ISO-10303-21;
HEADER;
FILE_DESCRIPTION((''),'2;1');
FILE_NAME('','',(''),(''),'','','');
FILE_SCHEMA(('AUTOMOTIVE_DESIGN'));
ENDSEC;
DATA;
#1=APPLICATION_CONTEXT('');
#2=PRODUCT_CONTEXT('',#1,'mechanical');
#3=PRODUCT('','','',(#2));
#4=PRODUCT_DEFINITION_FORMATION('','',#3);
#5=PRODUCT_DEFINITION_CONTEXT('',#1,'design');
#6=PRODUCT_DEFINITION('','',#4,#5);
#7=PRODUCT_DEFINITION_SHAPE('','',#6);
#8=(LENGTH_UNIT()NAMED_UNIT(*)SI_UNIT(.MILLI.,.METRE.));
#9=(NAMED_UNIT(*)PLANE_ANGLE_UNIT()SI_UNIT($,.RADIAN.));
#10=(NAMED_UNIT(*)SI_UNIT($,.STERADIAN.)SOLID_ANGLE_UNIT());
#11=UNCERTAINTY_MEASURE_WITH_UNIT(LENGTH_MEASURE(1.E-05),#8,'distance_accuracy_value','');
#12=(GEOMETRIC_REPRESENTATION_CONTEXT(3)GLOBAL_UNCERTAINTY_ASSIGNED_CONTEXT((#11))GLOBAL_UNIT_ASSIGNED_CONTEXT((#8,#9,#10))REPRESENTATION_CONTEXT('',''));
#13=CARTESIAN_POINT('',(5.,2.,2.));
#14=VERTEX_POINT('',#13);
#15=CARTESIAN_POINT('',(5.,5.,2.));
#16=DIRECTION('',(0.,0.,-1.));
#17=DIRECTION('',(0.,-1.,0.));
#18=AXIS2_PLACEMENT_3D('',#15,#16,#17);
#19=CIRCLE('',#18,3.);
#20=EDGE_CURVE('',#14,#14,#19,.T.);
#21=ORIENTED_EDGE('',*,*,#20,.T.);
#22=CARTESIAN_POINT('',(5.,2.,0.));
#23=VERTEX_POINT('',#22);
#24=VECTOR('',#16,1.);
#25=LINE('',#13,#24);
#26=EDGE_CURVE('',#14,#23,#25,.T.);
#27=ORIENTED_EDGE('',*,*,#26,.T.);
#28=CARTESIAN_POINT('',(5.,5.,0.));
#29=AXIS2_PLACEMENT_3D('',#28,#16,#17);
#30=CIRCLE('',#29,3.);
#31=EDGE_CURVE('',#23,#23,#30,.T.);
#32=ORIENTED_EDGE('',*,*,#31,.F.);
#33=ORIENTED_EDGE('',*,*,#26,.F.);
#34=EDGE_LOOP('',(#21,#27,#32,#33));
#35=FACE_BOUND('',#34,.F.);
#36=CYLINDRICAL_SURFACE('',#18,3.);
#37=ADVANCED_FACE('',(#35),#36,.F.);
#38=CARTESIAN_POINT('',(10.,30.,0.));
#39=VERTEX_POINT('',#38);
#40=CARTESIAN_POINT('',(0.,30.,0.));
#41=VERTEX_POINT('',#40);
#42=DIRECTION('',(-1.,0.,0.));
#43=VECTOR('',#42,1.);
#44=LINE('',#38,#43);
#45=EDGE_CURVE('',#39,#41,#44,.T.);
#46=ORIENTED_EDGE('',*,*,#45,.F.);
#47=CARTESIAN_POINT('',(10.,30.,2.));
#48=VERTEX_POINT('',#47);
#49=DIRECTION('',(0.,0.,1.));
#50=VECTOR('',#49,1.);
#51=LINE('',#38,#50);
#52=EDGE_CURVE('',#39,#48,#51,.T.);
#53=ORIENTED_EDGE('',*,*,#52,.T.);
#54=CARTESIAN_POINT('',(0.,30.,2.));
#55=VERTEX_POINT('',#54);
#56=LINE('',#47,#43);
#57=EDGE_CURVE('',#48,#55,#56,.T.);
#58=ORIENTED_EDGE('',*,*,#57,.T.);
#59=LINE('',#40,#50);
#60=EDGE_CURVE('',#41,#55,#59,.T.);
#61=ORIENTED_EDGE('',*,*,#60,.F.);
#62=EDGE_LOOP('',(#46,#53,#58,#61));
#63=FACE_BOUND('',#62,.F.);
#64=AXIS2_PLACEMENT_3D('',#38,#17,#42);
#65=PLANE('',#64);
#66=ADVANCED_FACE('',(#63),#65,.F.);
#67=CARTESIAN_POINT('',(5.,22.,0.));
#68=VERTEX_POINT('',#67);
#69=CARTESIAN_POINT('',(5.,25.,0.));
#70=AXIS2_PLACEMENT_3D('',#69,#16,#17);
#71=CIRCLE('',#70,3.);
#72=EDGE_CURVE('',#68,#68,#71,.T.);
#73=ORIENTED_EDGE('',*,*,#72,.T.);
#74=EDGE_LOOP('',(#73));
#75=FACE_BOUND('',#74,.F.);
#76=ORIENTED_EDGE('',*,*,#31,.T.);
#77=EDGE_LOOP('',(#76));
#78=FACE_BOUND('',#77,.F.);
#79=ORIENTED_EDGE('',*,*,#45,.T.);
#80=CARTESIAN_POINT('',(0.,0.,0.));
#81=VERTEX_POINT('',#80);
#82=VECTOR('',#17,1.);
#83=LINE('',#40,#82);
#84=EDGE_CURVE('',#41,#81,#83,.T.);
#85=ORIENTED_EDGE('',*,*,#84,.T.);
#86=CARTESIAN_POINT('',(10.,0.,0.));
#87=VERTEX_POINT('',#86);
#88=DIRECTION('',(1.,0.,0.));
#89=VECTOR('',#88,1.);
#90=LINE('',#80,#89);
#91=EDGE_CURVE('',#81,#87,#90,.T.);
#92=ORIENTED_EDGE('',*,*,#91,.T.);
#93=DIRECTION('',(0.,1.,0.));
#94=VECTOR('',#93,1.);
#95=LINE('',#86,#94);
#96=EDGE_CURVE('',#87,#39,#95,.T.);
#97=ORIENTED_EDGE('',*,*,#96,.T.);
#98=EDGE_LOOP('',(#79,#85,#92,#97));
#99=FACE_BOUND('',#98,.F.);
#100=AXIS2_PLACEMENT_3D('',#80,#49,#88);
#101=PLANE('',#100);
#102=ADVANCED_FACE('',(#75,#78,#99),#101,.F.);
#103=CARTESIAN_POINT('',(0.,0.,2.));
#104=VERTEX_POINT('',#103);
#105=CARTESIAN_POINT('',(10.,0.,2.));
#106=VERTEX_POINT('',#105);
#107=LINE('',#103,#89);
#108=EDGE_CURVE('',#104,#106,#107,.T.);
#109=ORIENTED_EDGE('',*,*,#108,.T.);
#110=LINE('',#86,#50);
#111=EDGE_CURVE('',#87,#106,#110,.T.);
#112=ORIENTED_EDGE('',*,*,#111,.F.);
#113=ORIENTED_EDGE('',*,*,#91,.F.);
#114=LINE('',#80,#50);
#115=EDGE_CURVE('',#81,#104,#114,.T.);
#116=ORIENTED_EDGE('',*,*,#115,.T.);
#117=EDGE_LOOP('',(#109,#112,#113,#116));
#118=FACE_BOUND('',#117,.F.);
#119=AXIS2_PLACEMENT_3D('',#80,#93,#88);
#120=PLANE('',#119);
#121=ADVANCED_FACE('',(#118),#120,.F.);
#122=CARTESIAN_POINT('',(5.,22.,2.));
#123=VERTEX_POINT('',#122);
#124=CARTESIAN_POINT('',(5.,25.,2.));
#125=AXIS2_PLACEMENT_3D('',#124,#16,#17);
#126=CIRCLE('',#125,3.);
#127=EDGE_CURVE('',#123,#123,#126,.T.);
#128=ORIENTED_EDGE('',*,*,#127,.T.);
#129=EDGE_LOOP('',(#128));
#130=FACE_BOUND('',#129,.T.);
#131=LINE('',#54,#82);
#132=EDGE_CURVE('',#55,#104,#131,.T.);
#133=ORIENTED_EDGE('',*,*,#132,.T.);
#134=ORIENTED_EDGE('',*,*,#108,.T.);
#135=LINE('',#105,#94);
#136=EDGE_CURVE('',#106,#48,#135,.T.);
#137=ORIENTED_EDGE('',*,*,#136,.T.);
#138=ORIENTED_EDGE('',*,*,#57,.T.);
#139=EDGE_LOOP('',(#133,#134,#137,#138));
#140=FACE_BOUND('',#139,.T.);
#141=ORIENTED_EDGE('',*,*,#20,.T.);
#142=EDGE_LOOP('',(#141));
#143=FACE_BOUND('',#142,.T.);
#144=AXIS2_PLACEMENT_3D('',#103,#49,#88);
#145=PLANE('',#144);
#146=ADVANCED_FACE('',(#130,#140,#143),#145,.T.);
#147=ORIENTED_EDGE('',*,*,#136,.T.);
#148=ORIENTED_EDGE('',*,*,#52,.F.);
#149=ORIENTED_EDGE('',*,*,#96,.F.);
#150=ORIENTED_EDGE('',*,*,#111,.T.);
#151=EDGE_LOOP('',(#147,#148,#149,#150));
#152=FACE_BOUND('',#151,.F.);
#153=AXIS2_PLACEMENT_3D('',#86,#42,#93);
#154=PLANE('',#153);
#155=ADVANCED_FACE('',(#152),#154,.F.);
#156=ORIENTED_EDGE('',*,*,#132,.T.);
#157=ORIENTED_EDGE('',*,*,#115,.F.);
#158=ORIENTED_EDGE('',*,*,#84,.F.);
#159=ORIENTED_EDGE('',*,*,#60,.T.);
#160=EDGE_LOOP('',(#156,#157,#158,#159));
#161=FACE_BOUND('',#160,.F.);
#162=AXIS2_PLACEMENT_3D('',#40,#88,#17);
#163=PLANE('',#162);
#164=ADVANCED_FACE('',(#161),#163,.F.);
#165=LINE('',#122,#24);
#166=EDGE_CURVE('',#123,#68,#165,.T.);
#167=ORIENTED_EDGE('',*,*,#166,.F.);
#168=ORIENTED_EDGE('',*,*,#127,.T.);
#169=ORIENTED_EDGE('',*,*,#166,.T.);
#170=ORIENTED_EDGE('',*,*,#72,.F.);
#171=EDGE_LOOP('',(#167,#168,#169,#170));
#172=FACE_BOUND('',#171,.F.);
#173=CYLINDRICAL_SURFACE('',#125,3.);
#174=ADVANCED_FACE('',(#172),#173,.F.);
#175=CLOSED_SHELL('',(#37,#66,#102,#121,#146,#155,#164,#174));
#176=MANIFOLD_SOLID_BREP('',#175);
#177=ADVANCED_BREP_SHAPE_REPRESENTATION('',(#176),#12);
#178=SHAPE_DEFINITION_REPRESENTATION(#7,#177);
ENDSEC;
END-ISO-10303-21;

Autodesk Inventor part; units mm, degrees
ref_plane "YZ Plane" through (0, 0, 0) normal (1, 0, 0) x (0, 1, 0)
ref_plane "XZ Plane" through (0, 0, 0) normal (0, 1, 0) x (-1, 0, 0)
ref_plane "XY Plane" through (0, 0, 0) normal (0, 0, 1) x (1, 0, 0)
sketch "スケッチ1" plane through (0, 0, 0) normal (0, 0, 1) x (1, 0, 0)
  line L0 (0, 0) -> (10, 0)
  line L1 (10, 0) -> (10, 30)
  line L2 (10, 30) -> (0, 30)
  line L3 (0, 30) -> (0, 0)
  dimension "d0" = 10
  dimension "d1" = 30
extrude "押し出し1" add sketch "スケッチ1" along normal blind 2
sketch "スケッチ2" plane through (0, 0, 2) normal (0, 0, 1) x (1, 0, 0)
  line L0 (0, 0) -> (10, 0) projected
  line L1 (10, 30) -> (0, 30) projected
  line L2 (0, 30) -> (0, 0) projected
  point P0 (5, 5)
  point P1 (5, 25)
  dimension "d4" = 5
  dimension "d12" = 5
  dimension "d13" = 5
hole "穴1" at (5, 5, 2) at (5, 25, 2) direction (0, 0, -1) diameter 6 end through all
properties part number "指先"
